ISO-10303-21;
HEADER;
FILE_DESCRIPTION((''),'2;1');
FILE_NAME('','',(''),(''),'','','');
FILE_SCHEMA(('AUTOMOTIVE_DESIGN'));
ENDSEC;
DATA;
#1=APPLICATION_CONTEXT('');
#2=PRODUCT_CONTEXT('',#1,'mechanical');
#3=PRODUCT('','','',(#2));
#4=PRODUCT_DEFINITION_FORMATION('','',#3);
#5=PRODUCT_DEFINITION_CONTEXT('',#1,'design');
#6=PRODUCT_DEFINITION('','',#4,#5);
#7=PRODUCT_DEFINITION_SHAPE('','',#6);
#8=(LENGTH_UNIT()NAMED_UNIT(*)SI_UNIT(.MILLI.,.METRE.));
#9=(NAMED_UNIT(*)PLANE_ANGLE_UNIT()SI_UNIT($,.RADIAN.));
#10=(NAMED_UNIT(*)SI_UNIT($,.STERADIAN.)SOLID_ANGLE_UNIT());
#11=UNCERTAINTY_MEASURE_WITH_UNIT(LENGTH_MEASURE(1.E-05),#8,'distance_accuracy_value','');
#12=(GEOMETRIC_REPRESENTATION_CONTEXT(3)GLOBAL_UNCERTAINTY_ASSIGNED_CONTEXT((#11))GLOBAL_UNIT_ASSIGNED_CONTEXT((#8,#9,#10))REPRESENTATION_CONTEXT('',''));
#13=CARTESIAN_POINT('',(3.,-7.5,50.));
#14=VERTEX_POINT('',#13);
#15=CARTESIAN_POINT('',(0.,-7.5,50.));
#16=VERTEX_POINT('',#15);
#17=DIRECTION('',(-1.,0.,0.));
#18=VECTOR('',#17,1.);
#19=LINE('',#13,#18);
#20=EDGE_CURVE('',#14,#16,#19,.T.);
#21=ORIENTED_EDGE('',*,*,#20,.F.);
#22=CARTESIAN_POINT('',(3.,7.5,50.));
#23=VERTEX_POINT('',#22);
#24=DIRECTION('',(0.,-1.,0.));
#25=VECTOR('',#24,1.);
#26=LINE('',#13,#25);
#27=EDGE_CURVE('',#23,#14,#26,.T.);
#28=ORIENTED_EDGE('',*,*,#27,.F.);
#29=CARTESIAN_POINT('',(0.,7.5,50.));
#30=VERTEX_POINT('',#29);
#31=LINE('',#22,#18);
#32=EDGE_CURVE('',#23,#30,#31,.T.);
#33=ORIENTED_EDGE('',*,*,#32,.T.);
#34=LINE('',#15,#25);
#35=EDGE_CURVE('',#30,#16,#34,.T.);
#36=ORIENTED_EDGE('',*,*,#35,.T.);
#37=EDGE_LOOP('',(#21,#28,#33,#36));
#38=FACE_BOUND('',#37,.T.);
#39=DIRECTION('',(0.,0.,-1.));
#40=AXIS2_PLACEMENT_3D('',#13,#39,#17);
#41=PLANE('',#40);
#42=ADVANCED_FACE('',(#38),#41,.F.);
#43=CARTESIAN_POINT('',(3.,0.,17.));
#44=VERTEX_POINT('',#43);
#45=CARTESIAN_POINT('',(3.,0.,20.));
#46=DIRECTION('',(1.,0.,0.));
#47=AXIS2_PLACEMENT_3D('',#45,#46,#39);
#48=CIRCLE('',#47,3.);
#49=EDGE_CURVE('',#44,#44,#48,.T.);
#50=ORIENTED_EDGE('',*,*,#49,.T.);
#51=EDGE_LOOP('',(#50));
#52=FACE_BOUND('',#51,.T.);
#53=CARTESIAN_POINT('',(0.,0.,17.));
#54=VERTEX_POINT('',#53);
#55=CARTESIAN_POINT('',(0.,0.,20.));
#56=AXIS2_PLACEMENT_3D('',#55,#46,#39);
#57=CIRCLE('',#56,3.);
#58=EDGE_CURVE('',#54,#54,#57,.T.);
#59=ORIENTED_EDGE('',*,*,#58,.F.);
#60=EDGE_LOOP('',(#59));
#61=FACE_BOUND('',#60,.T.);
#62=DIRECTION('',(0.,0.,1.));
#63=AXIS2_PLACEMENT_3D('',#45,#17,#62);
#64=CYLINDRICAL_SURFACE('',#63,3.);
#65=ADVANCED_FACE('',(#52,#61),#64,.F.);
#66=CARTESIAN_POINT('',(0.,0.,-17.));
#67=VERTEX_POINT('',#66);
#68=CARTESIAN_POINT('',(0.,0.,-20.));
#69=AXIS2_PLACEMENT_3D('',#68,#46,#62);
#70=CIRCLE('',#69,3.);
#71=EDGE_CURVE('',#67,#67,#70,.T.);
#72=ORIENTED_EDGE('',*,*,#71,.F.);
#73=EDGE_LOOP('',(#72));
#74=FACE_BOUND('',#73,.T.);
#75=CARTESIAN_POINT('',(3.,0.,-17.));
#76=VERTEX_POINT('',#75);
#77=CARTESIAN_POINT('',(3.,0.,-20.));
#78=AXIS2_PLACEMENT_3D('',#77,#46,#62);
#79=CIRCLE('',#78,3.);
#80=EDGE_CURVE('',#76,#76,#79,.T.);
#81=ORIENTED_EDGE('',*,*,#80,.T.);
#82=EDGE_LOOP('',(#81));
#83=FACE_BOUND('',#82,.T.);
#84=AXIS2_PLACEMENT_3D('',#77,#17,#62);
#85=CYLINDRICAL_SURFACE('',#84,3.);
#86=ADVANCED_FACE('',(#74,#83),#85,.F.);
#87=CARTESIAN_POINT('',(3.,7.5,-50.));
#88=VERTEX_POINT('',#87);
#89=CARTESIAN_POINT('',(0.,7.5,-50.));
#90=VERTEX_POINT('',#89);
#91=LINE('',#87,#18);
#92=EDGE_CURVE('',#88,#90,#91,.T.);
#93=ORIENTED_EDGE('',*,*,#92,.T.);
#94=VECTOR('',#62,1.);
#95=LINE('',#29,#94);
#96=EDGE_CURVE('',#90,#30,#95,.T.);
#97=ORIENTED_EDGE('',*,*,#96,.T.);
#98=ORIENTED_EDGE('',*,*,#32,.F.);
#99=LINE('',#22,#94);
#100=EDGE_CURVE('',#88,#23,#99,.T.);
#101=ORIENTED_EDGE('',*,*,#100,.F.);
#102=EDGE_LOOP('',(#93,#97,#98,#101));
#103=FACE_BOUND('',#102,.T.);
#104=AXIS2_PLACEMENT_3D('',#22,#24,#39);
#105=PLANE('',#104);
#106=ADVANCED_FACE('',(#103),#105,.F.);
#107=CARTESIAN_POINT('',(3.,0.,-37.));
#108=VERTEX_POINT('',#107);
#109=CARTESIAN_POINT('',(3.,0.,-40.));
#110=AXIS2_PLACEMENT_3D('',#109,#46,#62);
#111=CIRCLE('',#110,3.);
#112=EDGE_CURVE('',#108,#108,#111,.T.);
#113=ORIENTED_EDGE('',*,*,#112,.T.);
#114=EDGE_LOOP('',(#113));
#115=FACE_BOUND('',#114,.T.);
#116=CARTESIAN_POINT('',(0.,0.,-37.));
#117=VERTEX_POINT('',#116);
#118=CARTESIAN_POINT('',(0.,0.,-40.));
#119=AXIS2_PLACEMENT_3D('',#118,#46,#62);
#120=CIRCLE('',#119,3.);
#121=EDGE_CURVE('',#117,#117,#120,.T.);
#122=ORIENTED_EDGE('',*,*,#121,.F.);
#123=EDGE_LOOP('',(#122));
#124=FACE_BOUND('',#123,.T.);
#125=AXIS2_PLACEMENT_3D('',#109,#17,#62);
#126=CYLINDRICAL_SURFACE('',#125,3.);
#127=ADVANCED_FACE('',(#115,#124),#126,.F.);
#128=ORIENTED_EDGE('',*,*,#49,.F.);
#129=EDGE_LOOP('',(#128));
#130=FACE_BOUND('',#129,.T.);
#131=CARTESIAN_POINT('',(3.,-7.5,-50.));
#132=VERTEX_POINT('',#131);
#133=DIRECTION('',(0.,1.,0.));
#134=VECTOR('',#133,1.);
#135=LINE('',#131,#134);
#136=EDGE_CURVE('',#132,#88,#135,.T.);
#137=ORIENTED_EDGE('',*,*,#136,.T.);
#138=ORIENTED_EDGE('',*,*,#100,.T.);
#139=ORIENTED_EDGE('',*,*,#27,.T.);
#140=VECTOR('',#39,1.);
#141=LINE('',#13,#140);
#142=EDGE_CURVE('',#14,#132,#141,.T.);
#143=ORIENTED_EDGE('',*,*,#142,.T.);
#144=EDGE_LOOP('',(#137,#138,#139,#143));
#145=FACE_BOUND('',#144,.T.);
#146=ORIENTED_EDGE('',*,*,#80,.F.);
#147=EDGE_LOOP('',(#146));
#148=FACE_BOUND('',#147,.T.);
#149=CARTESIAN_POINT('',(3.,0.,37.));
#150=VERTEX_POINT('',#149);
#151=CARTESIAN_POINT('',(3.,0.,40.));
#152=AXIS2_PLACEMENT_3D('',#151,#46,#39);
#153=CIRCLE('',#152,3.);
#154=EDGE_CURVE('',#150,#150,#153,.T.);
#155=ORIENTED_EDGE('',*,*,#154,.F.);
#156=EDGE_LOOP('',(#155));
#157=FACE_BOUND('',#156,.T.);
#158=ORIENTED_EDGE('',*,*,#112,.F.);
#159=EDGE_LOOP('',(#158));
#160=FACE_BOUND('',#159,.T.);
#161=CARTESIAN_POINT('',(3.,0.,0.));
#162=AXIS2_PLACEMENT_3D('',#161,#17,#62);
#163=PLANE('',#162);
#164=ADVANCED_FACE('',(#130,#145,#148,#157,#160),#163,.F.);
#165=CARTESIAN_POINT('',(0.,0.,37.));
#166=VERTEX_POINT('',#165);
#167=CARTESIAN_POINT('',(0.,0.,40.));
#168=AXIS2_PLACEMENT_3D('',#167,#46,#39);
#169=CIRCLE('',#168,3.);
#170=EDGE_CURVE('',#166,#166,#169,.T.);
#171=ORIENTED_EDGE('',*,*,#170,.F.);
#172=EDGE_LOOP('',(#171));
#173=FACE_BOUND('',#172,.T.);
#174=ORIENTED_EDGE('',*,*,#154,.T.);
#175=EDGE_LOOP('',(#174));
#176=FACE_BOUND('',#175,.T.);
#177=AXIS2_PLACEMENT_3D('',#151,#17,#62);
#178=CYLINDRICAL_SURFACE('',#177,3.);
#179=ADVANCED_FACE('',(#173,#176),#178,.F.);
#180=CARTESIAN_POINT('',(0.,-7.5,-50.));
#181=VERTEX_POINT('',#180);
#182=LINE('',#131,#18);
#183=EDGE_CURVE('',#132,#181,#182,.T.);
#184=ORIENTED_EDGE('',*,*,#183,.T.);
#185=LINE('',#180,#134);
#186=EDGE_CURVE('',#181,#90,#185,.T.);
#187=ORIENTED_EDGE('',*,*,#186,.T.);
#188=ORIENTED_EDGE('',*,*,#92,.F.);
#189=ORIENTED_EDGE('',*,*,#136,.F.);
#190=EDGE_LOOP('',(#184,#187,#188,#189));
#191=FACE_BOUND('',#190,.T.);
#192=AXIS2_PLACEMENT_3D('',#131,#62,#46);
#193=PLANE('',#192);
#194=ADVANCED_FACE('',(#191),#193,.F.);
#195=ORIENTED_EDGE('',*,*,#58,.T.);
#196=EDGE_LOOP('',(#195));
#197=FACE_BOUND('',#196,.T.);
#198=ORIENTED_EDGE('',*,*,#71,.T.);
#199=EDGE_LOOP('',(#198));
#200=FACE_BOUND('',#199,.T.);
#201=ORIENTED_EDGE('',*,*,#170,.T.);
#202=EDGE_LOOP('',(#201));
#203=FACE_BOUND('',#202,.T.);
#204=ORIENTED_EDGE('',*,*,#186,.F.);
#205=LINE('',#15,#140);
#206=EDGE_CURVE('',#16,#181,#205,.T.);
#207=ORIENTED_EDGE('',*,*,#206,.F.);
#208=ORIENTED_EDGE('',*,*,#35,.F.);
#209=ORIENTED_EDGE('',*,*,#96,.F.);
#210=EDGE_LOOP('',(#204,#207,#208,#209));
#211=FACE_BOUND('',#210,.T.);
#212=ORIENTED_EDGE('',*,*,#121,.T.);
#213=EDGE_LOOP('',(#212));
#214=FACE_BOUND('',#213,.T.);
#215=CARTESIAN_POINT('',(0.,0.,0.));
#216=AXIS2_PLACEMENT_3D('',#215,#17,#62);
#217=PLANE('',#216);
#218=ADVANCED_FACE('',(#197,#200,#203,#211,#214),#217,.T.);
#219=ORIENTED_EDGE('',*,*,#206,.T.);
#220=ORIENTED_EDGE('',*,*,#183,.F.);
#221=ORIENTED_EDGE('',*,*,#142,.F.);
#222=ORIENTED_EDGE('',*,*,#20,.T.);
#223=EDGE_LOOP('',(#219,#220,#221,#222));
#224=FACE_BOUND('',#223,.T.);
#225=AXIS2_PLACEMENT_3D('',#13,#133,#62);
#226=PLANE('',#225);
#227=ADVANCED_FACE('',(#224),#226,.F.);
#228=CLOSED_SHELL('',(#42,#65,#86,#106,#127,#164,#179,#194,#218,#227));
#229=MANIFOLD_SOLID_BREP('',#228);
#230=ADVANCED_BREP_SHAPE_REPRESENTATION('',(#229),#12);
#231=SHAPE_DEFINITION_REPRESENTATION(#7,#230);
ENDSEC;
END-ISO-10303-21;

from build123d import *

# Parameters (mm, degrees)
SKETCH_1_W      = 100
SKETCH_1_H      = 15
SKETCH_1_R      = 3
EXTRUDE_1_DEPTH = 3


with BuildPart() as part:
    # Эскиз1 → Бобышка-Вытянуть1 (new body)
    with BuildSketch(Plane(origin=(0, 0, 0), x_dir=(0, 0, -1), z_dir=(1, 0, 0))):
        Rectangle(SKETCH_1_W, SKETCH_1_H)
        with Locations((-40, 0)):
            Circle(SKETCH_1_R, mode=Mode.SUBTRACT)
        with Locations((-20, 0)):
            Circle(SKETCH_1_R, mode=Mode.SUBTRACT)
        with Locations(Location((20, 0, 0), (0, 0, 180))):
            Circle(SKETCH_1_R, mode=Mode.SUBTRACT)
        with Locations(Location((40, 0, 0), (0, 0, 180))):
            Circle(SKETCH_1_R, mode=Mode.SUBTRACT)
    extrude(amount=EXTRUDE_1_DEPTH)


solid = part.part
